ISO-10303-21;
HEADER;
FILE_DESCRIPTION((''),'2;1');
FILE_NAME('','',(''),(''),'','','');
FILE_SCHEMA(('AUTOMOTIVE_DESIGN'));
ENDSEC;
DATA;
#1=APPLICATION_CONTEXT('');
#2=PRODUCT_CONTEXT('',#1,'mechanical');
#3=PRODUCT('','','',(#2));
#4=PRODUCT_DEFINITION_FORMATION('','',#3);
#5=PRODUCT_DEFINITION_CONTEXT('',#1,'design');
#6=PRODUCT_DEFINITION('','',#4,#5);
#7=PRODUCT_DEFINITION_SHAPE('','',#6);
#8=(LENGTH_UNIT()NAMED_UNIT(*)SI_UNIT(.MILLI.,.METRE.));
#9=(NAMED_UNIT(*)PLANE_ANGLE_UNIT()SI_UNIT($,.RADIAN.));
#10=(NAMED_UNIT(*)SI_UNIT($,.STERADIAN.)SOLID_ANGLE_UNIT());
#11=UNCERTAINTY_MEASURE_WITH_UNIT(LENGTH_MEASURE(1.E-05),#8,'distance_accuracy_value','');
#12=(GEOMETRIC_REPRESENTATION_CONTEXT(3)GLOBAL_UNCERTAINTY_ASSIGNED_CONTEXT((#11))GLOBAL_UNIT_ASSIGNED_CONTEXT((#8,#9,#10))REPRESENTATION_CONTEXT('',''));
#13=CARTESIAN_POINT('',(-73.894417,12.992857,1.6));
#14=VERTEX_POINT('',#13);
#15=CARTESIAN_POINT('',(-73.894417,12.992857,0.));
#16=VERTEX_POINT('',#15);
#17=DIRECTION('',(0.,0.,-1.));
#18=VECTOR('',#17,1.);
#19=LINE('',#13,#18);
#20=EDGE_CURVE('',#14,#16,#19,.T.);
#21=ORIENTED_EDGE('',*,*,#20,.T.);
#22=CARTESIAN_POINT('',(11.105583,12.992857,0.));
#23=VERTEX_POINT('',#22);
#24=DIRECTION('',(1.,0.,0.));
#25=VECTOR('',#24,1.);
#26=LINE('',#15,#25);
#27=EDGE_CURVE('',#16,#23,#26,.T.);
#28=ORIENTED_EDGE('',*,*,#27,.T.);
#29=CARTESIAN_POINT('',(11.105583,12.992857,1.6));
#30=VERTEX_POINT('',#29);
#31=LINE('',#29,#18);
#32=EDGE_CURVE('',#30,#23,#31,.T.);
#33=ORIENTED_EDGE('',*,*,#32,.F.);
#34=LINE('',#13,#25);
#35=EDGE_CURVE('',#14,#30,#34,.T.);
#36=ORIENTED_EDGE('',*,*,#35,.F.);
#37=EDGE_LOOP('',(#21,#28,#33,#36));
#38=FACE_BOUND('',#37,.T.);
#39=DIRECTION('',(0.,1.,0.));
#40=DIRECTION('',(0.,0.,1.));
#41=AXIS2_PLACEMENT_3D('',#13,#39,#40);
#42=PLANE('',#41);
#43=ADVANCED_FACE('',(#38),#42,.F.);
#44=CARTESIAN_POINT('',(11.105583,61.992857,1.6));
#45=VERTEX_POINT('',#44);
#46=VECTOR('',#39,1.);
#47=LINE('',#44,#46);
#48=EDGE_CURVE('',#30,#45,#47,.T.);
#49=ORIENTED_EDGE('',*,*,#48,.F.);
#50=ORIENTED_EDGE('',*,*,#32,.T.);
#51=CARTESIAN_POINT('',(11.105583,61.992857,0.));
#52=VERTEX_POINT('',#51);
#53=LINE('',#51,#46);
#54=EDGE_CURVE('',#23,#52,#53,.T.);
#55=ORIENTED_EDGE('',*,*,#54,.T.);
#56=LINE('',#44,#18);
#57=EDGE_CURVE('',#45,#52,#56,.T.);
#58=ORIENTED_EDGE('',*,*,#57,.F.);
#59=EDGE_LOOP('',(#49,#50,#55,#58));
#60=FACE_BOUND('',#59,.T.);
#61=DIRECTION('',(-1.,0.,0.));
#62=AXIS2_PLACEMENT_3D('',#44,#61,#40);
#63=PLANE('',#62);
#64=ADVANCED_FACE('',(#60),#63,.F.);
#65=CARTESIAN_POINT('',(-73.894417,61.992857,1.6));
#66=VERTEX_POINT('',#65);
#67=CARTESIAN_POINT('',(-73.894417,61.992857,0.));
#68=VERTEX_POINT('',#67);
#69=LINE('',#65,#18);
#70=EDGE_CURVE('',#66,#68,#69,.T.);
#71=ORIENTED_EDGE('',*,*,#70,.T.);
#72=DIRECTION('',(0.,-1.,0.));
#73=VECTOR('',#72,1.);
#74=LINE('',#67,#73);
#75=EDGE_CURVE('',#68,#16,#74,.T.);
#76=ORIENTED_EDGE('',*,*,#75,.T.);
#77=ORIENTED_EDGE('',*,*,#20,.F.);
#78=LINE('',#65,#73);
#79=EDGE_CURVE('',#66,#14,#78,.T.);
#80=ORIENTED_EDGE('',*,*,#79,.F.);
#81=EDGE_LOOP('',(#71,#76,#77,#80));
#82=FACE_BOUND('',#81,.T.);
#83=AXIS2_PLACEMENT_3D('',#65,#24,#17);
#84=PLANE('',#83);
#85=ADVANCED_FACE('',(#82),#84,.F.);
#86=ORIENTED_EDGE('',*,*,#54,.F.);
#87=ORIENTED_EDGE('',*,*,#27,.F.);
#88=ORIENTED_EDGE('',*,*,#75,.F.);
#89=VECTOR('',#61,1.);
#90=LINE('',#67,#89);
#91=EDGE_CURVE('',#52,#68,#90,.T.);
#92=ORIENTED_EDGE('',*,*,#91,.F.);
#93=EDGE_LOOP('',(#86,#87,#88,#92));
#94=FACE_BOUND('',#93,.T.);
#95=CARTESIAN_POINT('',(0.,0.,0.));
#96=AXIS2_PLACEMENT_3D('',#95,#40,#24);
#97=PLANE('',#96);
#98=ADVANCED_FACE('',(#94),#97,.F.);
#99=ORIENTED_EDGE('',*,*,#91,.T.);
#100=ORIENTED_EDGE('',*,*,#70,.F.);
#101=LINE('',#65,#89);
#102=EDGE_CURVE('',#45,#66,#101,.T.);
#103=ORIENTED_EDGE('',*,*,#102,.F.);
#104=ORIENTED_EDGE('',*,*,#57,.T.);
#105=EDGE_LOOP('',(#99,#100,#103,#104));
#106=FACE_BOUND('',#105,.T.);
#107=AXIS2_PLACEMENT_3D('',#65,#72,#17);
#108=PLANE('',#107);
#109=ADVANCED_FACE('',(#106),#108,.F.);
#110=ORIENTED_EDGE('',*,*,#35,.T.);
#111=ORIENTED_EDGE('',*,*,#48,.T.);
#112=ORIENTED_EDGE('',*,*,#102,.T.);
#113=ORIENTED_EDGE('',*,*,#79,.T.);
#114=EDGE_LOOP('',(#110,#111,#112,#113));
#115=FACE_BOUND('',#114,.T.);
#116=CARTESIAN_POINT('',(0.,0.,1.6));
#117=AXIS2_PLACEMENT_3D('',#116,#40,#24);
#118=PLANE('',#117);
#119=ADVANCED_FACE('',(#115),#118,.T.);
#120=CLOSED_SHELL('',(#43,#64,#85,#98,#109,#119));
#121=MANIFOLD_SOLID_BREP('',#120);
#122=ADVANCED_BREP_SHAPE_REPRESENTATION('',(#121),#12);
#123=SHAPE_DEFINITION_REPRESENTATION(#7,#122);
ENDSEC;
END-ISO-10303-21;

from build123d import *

# Parameters (mm, degrees)
SKETCH_1_W      = 85
SKETCH_1_H      = 49
EXTRUDE_1_DEPTH = 1.6


with BuildPart() as part:
    # ｽｹｯﾁ1 → ﾎﾞｽ - 押し出し1 (new body)
    with BuildSketch(Plane.XY):
        with Locations((-31.394417438, 37.492857143)):
            Rectangle(SKETCH_1_W, SKETCH_1_H)
    extrude(amount=EXTRUDE_1_DEPTH)


solid = part.part
